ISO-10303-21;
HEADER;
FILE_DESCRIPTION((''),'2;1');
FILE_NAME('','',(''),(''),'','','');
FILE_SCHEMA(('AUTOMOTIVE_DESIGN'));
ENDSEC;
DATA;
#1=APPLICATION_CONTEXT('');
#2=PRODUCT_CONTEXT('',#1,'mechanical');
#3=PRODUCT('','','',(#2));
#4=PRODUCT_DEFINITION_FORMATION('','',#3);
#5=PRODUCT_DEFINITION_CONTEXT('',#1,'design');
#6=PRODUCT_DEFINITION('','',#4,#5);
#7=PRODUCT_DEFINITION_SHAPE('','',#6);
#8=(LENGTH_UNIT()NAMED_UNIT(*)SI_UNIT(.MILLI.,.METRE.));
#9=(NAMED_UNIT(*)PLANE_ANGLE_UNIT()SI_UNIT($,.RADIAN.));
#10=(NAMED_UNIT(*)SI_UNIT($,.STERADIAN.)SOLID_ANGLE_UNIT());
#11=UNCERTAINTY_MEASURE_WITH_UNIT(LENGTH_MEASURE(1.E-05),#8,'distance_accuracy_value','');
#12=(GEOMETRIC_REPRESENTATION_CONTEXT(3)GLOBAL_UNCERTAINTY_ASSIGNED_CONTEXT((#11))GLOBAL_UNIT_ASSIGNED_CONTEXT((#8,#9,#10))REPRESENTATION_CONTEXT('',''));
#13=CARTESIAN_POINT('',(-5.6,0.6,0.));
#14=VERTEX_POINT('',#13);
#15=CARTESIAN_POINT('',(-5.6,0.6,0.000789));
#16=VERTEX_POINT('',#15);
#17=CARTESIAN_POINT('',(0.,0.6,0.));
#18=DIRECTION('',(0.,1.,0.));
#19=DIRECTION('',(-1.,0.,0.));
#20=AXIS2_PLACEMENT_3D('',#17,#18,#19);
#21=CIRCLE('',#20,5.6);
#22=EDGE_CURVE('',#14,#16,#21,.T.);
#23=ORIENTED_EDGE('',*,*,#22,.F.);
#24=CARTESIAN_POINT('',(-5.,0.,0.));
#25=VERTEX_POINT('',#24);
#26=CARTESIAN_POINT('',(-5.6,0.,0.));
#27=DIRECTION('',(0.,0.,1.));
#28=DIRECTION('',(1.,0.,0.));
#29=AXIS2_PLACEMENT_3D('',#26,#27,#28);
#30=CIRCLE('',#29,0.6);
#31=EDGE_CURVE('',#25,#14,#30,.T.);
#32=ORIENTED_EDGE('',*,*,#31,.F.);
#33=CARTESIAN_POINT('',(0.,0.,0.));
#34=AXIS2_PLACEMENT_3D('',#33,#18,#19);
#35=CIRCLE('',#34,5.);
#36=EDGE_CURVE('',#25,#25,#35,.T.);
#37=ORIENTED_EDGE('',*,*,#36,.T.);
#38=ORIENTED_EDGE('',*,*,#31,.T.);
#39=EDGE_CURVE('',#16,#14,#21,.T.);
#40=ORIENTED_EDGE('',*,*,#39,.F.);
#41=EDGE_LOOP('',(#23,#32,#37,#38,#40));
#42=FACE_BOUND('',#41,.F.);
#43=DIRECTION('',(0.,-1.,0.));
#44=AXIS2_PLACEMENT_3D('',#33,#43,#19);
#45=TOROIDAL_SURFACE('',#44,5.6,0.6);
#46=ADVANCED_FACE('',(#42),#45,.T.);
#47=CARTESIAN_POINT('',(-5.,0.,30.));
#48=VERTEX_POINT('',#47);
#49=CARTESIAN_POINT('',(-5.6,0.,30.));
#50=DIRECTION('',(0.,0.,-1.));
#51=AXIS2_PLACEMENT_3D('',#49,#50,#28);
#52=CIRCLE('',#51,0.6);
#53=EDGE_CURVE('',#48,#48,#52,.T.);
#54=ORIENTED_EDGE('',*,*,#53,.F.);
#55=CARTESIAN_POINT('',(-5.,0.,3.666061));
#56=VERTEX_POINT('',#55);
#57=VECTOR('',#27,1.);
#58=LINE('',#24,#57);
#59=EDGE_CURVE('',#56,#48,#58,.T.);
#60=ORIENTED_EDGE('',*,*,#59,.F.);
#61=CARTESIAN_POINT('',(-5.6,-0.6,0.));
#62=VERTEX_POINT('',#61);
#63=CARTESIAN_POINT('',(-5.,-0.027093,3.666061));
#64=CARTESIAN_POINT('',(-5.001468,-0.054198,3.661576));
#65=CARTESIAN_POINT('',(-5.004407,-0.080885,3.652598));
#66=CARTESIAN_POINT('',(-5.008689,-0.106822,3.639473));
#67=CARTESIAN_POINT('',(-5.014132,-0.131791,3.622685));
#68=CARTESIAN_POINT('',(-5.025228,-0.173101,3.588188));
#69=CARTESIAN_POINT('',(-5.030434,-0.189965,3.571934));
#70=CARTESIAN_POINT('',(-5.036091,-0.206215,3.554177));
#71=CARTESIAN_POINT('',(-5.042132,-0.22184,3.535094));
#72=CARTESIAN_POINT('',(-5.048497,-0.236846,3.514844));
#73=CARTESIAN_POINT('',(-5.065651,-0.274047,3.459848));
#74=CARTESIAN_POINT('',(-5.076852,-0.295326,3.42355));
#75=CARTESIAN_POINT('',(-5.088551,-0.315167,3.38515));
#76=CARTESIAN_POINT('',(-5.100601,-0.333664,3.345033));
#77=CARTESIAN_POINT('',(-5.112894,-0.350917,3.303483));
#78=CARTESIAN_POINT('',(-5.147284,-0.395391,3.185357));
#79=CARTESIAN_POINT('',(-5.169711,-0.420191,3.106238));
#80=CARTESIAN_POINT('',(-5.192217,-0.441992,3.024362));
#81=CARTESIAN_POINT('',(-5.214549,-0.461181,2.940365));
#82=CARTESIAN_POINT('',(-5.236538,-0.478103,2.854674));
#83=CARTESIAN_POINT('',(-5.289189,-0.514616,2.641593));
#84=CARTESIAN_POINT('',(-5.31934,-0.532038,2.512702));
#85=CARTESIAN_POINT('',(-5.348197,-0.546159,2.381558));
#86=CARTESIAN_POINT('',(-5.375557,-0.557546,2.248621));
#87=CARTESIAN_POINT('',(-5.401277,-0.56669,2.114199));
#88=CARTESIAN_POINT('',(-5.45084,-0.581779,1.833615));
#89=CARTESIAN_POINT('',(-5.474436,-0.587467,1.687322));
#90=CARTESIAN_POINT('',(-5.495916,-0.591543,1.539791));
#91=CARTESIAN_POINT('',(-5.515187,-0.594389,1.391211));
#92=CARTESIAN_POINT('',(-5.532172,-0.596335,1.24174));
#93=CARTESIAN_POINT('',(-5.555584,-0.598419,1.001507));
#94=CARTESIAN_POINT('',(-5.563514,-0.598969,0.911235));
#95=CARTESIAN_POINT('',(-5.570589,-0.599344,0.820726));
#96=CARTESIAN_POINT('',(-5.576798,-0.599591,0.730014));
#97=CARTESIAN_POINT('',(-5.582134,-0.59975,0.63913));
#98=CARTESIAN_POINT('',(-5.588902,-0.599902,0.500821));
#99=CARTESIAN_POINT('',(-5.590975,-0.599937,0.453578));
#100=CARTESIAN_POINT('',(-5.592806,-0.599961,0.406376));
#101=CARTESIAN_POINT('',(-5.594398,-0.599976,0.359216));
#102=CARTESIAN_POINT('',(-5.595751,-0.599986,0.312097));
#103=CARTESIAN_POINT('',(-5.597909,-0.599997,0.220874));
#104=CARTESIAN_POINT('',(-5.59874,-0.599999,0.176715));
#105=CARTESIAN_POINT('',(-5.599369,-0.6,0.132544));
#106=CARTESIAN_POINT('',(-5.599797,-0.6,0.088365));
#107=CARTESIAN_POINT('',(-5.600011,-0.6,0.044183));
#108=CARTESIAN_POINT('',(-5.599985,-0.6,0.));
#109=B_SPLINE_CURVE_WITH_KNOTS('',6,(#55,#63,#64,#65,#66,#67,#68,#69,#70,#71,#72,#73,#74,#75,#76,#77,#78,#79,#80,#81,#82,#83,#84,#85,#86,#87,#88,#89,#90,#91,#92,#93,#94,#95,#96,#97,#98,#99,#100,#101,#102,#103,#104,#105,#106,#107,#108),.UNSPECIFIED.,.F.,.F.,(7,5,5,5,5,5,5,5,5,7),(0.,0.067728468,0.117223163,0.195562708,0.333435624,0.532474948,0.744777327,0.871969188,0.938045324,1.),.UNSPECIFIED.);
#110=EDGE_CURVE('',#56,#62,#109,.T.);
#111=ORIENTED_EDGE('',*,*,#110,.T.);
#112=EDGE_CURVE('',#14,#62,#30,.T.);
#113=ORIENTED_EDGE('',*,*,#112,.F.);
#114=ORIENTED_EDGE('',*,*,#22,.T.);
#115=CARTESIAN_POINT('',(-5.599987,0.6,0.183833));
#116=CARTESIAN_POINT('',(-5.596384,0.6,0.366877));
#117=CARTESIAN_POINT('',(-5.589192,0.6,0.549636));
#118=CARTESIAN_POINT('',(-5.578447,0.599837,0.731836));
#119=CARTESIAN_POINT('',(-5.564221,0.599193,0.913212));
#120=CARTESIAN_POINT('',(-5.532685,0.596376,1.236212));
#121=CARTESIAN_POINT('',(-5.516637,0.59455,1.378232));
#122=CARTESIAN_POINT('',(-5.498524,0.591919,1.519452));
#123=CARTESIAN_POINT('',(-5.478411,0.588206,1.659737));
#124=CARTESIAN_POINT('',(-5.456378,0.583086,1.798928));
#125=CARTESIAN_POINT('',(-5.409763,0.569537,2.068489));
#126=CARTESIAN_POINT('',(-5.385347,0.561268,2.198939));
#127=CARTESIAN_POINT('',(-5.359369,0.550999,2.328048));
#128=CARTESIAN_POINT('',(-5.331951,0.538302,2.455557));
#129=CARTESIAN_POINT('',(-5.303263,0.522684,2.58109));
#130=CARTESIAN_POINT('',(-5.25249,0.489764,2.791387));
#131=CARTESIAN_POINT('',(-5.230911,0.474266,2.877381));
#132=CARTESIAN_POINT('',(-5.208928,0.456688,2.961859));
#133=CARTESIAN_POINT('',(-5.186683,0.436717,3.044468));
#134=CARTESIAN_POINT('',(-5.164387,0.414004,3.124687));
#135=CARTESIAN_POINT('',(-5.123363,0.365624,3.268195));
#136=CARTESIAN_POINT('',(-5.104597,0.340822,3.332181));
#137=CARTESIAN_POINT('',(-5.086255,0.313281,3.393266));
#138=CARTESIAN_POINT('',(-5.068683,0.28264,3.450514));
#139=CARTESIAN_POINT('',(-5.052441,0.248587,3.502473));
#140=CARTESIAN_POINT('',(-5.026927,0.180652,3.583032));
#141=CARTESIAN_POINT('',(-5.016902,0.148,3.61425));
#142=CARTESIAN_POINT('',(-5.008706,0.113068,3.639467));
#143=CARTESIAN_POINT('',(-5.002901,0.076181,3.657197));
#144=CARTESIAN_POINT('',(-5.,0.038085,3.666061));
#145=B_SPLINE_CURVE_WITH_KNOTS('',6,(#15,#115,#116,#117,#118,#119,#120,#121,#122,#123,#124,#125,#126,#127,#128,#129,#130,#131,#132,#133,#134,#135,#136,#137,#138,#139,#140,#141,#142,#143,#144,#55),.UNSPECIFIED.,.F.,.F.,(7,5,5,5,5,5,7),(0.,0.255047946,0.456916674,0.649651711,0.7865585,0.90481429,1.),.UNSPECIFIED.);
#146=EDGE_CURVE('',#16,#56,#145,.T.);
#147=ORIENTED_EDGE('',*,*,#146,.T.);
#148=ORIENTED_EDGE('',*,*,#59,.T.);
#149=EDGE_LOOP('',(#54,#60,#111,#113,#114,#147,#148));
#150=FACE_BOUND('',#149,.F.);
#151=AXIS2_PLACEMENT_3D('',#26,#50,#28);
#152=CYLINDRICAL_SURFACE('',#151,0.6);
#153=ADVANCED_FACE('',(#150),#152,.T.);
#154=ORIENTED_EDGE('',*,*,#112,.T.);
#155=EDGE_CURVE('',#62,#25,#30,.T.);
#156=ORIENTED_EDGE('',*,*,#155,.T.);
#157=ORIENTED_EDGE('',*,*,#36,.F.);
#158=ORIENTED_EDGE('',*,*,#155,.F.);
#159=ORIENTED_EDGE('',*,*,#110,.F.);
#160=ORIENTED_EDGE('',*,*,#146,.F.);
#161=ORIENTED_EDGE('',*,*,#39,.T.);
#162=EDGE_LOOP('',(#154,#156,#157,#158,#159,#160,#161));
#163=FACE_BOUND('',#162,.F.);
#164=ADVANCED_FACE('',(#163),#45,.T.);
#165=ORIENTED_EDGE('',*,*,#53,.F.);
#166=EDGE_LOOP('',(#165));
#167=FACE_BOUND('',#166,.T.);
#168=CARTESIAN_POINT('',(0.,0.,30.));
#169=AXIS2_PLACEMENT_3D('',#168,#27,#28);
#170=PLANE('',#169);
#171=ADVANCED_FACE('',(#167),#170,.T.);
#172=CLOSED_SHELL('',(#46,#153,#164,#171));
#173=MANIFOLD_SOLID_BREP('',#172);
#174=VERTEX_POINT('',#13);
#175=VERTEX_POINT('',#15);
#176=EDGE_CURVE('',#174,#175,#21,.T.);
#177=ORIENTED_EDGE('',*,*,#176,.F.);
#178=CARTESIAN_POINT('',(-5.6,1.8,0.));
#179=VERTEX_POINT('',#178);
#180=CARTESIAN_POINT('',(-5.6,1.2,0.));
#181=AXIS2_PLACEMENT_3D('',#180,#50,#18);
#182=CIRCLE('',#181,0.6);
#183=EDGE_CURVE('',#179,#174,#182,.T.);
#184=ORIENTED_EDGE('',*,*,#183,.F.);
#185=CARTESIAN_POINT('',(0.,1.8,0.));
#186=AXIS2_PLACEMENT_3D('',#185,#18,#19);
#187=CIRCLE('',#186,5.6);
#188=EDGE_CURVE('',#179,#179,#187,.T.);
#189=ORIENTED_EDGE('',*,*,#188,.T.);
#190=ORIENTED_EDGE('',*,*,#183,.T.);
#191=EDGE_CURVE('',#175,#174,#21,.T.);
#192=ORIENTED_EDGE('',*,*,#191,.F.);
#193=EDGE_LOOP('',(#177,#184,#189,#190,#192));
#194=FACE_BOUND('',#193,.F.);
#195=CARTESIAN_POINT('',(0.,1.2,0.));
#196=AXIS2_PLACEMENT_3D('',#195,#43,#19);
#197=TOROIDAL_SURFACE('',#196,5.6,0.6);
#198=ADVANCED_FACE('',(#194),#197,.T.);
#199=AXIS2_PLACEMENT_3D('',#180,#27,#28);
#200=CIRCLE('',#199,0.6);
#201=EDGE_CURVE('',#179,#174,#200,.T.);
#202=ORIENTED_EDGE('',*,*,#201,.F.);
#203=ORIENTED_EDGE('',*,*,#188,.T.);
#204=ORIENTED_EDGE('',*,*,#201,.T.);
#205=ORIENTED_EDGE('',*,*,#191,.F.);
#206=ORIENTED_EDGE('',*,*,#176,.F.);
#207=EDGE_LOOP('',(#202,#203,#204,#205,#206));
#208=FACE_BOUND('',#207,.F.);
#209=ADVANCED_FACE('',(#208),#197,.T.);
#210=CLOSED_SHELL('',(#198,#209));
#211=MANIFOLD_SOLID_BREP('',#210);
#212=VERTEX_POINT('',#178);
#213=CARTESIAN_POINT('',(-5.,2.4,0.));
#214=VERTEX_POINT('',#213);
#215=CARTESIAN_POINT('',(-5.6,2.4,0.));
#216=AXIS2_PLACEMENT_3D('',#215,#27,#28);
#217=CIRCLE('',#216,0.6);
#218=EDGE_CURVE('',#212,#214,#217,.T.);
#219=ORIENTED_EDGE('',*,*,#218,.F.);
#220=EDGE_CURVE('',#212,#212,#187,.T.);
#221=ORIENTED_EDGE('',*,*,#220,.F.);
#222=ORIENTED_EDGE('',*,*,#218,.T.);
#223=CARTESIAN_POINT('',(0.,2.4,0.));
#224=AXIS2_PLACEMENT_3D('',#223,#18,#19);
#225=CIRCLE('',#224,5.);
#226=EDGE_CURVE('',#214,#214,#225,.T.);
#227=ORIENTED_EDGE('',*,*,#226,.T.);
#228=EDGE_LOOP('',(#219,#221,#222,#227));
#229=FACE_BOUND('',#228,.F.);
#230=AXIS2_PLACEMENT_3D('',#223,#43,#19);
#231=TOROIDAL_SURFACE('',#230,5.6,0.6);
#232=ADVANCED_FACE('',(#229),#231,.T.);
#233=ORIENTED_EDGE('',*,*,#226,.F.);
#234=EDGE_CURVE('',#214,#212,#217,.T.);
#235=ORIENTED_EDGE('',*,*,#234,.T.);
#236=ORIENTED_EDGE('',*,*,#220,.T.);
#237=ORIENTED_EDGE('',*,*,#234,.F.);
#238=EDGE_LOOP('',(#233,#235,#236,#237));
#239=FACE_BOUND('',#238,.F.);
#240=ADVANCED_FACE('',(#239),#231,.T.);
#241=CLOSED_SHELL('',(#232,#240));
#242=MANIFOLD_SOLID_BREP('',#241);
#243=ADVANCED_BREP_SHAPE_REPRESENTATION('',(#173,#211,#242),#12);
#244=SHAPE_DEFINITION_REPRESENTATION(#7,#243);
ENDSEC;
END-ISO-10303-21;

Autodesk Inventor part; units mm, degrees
ref_plane "YZ Plane" through (0, 0, 0) normal (1, 0, 0) x (0, 1, 0)
ref_plane "XZ Plane" through (0, 0, 0) normal (0, 1, 0) x (-1, 0, 0)
ref_plane "XY Plane" through (0, 0, 0) normal (0, 0, 1) x (1, 0, 0)
sketch "スケッチ1" plane through (0, 0, 0) normal (0, 0, 1) x (1, 0, 0)
  circle A0 centre (-5.6, 0) radius 0.6
  line L0 (-5, 0) -> (-5, 0.9552) construction
  line L1 (0, 0) -> (0, 17.5733)
  circle A1 centre (-5.6, 1.2) radius 0.6
  circle A2 centre (-5.6, 2.4) radius 0.6
  dimension "d0" = 1.2
  dimension "d2" = 5
  dimension "d13" = 1.2
  dimension "d14" = 1.2
revolve "回転2" add sketch "スケッチ1" angle 360 about axis through (0, 0, 0) along (0, 1, 0)
sketch "スケッチ3" plane through (0, 0, 0) normal (0, 0, 1) x (1, 0, 0)
  arc A0 (-5.6, 0.6) -> (-5.6, -0.6) centre (-5.6, 0) ccw projected
  circle A1 centre (-5.6, 0) radius 0.6
  point P0 (0, 0)
  dimension "d16" = 1.2
extrude "押し出し1" add sketch "スケッチ3" along normal blind 30
properties part number "バネねじり270.z3" material "鋼、炭素鋼"
